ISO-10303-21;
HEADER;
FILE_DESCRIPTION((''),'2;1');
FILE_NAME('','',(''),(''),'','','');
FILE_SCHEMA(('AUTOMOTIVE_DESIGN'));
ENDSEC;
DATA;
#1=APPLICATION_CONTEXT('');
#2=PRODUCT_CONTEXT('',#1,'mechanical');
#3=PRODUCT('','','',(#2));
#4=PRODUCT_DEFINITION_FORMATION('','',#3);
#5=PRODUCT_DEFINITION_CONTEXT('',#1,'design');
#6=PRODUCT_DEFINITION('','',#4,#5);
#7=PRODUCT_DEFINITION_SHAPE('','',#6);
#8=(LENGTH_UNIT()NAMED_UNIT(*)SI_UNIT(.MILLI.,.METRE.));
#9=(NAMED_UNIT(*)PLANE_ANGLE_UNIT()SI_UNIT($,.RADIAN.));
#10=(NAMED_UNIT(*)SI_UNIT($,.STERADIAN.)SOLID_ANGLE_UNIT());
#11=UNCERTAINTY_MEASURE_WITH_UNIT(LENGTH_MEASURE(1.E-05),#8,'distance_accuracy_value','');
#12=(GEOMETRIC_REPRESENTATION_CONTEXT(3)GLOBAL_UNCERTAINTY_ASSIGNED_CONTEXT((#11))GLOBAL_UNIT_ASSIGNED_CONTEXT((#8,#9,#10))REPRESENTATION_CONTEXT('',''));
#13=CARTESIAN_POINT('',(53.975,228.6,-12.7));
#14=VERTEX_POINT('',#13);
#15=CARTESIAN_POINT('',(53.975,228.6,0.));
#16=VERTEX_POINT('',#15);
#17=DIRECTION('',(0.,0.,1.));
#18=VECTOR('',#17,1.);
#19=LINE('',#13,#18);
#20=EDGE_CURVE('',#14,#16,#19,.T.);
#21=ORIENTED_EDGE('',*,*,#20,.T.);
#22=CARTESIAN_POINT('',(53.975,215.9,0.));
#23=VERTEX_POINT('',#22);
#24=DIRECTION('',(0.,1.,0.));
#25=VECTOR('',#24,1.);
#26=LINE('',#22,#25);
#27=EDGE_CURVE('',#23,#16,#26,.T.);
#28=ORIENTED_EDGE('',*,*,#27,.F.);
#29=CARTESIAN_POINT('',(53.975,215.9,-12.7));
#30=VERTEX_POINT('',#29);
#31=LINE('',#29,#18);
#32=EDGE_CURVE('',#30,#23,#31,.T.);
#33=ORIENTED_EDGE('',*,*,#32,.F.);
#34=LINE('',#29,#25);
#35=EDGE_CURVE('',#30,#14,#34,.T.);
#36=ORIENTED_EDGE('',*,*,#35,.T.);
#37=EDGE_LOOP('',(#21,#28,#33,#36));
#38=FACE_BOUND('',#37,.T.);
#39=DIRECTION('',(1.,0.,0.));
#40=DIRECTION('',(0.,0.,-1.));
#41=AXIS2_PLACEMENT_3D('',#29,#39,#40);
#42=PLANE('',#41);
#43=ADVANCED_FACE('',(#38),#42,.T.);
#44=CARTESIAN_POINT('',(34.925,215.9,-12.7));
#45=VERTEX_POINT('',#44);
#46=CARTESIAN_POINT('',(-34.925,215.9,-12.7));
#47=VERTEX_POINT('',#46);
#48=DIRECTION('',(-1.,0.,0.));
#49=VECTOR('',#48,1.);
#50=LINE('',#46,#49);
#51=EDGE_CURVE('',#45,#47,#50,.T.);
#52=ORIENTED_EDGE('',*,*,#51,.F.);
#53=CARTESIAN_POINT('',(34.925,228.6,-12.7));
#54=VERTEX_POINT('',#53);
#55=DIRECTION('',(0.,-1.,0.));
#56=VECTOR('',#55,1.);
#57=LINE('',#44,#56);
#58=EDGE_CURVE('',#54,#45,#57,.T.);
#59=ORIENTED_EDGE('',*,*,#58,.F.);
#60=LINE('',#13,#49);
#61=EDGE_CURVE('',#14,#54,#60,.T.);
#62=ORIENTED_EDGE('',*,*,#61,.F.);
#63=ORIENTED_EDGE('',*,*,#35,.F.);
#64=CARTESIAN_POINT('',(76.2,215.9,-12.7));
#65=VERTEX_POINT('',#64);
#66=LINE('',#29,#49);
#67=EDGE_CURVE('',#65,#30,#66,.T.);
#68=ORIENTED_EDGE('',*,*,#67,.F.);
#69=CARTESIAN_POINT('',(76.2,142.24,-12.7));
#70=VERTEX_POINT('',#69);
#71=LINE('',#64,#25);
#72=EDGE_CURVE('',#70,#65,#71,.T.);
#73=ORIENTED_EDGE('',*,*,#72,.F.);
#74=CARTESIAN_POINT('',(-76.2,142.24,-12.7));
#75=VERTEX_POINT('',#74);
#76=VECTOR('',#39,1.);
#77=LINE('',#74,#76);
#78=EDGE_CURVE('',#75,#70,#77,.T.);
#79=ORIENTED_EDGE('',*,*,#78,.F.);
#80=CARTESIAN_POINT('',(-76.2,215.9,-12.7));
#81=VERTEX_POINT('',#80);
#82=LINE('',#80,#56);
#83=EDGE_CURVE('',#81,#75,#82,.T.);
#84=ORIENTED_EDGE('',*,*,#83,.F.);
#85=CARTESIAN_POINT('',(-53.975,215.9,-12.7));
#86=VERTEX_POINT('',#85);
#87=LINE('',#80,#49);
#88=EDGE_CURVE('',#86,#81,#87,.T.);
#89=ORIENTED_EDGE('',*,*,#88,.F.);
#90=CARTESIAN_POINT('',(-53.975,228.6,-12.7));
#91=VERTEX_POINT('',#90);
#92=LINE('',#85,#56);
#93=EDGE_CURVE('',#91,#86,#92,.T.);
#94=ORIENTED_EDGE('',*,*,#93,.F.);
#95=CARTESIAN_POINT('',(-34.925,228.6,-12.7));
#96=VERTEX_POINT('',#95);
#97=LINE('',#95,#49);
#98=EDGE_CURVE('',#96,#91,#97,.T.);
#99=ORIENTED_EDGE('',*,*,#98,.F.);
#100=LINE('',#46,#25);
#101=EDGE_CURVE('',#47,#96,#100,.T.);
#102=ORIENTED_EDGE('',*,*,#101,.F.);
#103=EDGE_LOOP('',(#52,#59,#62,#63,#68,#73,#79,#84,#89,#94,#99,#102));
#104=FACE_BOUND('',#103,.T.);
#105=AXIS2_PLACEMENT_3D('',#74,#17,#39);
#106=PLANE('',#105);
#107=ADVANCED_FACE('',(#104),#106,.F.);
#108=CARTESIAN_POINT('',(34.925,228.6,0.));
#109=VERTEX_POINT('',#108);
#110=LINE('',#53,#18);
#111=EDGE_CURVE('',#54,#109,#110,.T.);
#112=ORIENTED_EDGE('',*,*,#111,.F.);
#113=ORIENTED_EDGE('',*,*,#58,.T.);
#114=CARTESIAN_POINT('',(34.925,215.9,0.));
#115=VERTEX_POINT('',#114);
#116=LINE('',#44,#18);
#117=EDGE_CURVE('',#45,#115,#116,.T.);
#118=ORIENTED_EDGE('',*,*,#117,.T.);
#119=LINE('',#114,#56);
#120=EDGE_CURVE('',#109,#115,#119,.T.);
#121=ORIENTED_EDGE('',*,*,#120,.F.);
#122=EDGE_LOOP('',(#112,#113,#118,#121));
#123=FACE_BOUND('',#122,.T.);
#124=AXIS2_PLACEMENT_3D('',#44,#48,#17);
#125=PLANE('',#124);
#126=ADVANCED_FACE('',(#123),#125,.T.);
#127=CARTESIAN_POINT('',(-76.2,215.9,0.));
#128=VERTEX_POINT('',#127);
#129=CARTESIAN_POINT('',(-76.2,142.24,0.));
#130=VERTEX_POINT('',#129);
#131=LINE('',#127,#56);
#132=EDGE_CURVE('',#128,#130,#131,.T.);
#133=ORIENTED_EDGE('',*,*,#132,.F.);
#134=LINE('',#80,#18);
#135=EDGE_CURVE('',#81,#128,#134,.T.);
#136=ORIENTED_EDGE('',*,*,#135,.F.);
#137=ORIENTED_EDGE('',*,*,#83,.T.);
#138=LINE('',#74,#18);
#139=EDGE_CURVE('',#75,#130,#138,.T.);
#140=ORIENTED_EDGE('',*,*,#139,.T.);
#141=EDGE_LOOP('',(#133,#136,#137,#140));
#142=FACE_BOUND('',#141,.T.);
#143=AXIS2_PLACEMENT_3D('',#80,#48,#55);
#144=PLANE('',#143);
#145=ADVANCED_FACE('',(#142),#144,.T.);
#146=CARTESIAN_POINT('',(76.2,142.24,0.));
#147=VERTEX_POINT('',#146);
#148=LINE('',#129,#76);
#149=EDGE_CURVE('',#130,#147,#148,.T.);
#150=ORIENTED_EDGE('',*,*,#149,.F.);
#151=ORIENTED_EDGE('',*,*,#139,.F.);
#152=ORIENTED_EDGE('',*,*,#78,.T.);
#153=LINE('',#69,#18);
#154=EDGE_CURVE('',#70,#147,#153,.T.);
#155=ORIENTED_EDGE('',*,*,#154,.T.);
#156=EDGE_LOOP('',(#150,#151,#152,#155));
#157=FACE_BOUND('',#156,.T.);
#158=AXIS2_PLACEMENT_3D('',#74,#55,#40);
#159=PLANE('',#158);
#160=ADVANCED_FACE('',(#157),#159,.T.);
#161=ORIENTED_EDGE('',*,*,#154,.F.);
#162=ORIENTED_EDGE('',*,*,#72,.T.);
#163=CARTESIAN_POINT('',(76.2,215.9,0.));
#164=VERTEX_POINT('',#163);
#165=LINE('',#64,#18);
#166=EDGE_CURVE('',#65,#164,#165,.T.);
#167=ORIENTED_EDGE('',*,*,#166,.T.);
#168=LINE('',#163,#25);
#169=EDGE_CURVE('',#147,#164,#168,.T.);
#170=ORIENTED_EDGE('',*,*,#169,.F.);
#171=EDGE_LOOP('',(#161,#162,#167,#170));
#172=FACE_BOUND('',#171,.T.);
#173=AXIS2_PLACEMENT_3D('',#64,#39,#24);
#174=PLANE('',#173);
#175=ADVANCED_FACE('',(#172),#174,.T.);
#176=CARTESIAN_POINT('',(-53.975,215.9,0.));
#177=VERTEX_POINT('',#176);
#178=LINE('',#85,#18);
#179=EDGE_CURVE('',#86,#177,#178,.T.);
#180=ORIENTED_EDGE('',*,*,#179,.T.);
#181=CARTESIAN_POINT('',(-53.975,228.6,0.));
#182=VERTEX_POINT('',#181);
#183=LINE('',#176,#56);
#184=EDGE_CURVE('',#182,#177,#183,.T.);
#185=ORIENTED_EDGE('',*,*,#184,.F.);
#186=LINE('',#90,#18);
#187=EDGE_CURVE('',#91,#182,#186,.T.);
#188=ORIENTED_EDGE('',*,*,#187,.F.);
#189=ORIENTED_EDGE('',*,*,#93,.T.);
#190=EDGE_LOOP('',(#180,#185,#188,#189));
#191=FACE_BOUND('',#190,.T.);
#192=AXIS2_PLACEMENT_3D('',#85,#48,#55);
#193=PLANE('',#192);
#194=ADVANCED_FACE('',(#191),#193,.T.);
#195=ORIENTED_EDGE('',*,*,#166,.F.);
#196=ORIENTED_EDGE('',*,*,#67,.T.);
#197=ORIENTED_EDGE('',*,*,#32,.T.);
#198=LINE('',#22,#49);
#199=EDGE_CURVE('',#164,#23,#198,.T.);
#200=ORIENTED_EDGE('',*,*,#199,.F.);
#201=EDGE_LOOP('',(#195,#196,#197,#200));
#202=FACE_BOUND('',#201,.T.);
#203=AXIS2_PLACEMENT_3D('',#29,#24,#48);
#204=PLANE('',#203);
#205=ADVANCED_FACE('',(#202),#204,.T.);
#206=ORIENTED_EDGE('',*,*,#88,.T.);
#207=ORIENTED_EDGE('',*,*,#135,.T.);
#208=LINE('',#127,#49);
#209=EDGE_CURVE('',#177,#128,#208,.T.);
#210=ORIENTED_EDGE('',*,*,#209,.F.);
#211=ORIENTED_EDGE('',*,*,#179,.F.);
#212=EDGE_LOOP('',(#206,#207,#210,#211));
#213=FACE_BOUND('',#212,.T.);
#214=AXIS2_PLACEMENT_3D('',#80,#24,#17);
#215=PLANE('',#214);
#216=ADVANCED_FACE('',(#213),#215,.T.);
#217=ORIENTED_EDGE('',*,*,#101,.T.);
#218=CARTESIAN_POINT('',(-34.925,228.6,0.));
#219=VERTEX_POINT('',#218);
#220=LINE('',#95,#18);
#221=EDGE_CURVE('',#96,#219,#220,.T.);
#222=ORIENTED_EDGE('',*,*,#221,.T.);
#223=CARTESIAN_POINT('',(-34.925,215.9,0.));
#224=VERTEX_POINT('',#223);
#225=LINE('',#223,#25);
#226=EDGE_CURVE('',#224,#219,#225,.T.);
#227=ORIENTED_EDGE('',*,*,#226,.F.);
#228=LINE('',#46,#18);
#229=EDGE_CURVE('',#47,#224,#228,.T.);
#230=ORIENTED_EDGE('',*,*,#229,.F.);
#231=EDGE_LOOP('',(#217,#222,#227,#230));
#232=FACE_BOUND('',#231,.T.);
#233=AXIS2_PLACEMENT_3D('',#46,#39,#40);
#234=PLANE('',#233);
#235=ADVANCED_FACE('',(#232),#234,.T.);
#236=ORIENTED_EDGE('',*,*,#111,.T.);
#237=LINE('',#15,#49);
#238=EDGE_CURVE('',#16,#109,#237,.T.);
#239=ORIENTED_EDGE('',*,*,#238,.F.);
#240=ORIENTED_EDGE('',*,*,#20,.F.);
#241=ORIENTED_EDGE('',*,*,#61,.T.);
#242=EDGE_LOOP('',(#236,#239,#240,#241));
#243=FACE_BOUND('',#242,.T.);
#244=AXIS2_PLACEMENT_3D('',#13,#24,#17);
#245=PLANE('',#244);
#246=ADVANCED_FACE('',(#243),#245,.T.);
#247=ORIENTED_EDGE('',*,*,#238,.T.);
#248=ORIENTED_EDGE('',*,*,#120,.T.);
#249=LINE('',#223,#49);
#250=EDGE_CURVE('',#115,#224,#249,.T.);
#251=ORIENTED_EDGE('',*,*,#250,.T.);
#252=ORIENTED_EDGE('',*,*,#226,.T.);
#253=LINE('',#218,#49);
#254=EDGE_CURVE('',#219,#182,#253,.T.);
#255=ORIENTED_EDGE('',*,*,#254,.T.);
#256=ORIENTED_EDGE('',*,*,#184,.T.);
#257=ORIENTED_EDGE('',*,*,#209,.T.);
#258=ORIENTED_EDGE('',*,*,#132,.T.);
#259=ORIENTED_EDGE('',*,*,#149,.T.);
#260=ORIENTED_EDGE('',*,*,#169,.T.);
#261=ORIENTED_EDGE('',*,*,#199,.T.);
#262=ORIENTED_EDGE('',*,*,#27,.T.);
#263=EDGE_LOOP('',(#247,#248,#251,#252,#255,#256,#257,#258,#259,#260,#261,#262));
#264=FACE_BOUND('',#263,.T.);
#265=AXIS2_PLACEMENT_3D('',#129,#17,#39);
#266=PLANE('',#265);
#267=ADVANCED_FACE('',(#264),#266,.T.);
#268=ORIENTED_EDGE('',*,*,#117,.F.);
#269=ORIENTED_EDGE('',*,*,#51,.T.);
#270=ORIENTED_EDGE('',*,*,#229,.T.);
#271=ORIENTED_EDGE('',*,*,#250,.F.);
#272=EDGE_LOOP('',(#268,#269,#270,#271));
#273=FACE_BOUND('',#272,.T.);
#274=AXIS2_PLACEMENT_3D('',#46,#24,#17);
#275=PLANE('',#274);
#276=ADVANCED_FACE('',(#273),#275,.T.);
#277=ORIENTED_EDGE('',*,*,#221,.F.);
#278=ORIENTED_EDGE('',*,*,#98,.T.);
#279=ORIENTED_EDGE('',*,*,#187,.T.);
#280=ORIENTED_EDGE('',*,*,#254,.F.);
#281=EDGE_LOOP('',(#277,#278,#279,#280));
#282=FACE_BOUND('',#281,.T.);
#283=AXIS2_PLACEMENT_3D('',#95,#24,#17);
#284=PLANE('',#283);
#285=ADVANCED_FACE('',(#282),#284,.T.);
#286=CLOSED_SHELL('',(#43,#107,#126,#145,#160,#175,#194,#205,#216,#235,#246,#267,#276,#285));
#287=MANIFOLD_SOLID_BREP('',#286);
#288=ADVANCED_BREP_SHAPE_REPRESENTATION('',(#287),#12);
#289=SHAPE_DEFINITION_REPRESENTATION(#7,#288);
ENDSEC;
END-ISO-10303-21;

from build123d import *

# Parameters (mm, degrees)
EXTRUDE1_DEPTH = 12.7


with BuildPart() as part:
    # Sketch1 → Extrude1 (new body)
    with BuildSketch(Plane.XY):
        Polygon((-76.2, 215.9), (-53.975, 215.9), (-53.975, 228.6), (-34.925, 228.6), (-34.925, 215.9), (34.925, 215.9), (34.925, 228.6), (53.975, 228.6), (53.975, 215.9), (76.2, 215.9), (76.2, 142.24), (-76.2, 142.24), align=None)
    extrude(amount=-EXTRUDE1_DEPTH)


solid = part.part
